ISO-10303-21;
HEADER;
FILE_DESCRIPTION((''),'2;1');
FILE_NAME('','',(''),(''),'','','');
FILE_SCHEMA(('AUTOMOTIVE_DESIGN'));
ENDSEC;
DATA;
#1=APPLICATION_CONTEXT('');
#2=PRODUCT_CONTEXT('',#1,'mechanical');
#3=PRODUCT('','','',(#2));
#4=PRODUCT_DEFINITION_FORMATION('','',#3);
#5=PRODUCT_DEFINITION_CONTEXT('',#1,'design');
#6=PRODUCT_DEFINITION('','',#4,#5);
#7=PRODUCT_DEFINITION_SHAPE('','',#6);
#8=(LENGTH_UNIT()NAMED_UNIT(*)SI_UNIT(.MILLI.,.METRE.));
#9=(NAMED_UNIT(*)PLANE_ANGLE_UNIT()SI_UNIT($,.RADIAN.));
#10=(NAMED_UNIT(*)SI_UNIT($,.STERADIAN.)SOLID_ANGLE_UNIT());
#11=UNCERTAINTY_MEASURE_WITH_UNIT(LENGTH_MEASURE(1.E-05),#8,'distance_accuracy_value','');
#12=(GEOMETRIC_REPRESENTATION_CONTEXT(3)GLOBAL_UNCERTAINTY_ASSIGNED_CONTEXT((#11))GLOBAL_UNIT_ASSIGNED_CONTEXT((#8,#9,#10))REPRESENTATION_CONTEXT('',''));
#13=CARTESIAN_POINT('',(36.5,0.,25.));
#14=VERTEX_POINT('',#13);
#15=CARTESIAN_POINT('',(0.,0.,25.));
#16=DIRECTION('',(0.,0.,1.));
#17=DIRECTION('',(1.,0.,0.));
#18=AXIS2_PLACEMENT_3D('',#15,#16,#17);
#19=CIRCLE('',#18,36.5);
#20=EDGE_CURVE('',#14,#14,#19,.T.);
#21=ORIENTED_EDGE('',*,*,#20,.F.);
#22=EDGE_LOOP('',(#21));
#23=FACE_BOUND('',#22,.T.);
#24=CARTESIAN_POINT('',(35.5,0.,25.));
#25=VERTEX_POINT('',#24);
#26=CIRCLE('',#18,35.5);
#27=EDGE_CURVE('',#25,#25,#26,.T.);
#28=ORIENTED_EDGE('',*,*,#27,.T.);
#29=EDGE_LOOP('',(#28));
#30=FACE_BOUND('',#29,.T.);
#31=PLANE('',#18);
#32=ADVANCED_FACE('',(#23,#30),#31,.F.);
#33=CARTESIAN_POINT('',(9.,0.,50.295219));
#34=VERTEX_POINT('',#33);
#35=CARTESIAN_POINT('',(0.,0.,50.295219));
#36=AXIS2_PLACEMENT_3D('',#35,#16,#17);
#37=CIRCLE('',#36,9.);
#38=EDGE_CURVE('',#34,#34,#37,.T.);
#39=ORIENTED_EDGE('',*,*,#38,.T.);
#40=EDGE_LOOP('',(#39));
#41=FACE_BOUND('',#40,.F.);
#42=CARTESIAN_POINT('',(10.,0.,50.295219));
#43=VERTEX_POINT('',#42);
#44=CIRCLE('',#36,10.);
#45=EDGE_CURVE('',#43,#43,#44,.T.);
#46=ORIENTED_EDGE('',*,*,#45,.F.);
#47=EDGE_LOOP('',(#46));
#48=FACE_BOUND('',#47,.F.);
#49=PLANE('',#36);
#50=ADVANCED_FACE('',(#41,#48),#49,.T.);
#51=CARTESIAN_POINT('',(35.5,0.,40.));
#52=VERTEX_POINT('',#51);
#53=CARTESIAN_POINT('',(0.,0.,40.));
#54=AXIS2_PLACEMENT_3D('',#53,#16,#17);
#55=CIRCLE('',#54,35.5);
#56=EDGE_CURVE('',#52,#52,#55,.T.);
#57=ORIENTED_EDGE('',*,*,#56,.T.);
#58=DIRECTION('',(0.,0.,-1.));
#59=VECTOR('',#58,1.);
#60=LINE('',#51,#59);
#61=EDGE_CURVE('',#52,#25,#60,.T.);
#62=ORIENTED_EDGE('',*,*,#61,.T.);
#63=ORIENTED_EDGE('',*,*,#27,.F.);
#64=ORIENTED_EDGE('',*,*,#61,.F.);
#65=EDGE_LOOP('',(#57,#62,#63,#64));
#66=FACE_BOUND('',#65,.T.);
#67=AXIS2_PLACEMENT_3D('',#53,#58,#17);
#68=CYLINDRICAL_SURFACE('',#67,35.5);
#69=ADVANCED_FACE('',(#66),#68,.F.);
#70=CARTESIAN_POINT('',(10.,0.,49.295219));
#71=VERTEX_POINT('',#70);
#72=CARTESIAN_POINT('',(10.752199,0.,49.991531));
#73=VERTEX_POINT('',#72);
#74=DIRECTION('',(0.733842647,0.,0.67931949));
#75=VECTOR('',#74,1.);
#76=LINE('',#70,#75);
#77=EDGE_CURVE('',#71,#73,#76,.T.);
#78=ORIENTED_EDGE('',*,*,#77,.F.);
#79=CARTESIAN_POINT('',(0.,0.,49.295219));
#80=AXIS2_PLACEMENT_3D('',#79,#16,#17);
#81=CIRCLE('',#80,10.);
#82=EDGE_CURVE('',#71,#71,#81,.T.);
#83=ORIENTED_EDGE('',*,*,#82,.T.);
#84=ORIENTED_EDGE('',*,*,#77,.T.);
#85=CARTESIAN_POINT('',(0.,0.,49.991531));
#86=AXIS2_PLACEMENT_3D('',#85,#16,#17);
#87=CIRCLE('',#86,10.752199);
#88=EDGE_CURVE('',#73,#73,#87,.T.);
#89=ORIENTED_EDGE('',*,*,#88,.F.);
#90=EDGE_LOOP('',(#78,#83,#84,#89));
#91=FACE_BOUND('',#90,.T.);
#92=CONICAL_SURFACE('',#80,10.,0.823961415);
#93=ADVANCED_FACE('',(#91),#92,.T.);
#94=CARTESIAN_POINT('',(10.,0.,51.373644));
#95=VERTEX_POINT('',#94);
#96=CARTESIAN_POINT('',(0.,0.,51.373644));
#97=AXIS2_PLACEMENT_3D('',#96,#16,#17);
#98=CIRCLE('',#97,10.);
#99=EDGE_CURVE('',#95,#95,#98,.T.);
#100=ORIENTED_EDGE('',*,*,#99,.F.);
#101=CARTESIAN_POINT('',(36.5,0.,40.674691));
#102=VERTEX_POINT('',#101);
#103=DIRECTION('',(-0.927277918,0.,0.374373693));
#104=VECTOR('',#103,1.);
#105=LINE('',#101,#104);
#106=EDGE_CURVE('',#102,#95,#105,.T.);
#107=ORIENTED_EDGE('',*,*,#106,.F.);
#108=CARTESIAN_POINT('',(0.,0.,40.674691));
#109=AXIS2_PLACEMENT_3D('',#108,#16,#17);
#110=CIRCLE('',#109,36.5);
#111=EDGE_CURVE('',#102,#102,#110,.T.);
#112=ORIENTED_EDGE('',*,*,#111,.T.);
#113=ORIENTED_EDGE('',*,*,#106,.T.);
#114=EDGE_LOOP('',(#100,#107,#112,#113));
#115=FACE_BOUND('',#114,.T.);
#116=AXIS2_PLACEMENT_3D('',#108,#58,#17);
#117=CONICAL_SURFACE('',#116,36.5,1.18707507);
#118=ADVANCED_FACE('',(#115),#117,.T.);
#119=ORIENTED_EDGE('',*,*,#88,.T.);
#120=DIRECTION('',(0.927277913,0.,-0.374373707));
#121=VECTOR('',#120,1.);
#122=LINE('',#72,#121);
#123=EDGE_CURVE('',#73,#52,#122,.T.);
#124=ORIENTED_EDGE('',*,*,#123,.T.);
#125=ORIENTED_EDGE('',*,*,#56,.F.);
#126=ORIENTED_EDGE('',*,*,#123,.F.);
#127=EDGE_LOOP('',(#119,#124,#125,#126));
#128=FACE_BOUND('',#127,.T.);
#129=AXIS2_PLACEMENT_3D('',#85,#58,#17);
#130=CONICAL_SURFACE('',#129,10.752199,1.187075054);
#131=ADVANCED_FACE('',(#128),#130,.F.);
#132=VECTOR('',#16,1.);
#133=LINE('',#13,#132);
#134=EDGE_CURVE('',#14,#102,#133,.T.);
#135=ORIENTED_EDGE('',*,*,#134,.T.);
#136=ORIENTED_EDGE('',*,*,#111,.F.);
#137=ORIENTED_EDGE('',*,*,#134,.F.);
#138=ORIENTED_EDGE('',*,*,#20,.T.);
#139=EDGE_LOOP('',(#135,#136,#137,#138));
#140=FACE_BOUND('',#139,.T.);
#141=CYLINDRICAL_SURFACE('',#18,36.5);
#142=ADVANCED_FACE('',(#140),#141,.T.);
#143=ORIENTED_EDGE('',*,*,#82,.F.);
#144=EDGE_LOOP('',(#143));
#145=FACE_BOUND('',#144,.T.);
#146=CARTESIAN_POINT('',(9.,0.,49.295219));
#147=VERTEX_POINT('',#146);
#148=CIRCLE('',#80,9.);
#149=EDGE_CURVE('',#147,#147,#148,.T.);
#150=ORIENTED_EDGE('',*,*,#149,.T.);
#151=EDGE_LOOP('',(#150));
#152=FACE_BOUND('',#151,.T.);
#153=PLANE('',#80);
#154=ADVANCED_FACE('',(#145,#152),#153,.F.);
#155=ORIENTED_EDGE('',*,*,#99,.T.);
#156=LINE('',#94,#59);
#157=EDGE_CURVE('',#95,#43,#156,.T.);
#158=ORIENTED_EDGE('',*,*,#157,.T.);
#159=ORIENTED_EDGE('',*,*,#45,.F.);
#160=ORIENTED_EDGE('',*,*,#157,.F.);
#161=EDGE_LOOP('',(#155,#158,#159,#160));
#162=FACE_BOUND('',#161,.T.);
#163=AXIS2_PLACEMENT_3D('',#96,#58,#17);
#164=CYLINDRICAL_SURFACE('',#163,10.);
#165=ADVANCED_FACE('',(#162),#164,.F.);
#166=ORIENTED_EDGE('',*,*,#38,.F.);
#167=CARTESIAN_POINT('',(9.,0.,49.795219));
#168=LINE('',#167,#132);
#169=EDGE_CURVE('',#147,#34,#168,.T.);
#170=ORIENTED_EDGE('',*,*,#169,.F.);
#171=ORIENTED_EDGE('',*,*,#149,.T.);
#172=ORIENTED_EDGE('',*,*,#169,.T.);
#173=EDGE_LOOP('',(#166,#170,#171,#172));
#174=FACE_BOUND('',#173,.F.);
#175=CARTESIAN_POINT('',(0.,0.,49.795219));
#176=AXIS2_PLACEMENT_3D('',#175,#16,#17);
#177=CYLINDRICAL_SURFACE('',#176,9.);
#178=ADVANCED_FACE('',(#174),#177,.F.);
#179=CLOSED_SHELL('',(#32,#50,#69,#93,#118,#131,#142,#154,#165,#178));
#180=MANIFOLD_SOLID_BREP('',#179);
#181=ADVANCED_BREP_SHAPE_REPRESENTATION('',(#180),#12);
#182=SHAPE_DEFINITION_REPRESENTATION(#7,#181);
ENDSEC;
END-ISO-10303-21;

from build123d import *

# Parameters (mm, degrees)
F0_W = 1
F0_H = 1


with BuildPart() as f1:
    # F0 (on Front) → F1 (revolve)
    with BuildSketch(Plane.XZ):
        Polygon((35.5, 40), (35.5, 25), (36.5, 25), (36.5, 40.674691), (10, 51.373644), (10, 50.295219), (10.752199, 49.991531), align=None)
        Polygon((10, 49.295219), (10.752199, 49.991531), (10, 50.295219), align=None)
        with Locations((9.5, 49.795219)):
            Rectangle(F0_W, F0_H)
    revolve(axis=Axis((0, 0, 48.560351), (0, 0, 1)))


solid = f1.part
